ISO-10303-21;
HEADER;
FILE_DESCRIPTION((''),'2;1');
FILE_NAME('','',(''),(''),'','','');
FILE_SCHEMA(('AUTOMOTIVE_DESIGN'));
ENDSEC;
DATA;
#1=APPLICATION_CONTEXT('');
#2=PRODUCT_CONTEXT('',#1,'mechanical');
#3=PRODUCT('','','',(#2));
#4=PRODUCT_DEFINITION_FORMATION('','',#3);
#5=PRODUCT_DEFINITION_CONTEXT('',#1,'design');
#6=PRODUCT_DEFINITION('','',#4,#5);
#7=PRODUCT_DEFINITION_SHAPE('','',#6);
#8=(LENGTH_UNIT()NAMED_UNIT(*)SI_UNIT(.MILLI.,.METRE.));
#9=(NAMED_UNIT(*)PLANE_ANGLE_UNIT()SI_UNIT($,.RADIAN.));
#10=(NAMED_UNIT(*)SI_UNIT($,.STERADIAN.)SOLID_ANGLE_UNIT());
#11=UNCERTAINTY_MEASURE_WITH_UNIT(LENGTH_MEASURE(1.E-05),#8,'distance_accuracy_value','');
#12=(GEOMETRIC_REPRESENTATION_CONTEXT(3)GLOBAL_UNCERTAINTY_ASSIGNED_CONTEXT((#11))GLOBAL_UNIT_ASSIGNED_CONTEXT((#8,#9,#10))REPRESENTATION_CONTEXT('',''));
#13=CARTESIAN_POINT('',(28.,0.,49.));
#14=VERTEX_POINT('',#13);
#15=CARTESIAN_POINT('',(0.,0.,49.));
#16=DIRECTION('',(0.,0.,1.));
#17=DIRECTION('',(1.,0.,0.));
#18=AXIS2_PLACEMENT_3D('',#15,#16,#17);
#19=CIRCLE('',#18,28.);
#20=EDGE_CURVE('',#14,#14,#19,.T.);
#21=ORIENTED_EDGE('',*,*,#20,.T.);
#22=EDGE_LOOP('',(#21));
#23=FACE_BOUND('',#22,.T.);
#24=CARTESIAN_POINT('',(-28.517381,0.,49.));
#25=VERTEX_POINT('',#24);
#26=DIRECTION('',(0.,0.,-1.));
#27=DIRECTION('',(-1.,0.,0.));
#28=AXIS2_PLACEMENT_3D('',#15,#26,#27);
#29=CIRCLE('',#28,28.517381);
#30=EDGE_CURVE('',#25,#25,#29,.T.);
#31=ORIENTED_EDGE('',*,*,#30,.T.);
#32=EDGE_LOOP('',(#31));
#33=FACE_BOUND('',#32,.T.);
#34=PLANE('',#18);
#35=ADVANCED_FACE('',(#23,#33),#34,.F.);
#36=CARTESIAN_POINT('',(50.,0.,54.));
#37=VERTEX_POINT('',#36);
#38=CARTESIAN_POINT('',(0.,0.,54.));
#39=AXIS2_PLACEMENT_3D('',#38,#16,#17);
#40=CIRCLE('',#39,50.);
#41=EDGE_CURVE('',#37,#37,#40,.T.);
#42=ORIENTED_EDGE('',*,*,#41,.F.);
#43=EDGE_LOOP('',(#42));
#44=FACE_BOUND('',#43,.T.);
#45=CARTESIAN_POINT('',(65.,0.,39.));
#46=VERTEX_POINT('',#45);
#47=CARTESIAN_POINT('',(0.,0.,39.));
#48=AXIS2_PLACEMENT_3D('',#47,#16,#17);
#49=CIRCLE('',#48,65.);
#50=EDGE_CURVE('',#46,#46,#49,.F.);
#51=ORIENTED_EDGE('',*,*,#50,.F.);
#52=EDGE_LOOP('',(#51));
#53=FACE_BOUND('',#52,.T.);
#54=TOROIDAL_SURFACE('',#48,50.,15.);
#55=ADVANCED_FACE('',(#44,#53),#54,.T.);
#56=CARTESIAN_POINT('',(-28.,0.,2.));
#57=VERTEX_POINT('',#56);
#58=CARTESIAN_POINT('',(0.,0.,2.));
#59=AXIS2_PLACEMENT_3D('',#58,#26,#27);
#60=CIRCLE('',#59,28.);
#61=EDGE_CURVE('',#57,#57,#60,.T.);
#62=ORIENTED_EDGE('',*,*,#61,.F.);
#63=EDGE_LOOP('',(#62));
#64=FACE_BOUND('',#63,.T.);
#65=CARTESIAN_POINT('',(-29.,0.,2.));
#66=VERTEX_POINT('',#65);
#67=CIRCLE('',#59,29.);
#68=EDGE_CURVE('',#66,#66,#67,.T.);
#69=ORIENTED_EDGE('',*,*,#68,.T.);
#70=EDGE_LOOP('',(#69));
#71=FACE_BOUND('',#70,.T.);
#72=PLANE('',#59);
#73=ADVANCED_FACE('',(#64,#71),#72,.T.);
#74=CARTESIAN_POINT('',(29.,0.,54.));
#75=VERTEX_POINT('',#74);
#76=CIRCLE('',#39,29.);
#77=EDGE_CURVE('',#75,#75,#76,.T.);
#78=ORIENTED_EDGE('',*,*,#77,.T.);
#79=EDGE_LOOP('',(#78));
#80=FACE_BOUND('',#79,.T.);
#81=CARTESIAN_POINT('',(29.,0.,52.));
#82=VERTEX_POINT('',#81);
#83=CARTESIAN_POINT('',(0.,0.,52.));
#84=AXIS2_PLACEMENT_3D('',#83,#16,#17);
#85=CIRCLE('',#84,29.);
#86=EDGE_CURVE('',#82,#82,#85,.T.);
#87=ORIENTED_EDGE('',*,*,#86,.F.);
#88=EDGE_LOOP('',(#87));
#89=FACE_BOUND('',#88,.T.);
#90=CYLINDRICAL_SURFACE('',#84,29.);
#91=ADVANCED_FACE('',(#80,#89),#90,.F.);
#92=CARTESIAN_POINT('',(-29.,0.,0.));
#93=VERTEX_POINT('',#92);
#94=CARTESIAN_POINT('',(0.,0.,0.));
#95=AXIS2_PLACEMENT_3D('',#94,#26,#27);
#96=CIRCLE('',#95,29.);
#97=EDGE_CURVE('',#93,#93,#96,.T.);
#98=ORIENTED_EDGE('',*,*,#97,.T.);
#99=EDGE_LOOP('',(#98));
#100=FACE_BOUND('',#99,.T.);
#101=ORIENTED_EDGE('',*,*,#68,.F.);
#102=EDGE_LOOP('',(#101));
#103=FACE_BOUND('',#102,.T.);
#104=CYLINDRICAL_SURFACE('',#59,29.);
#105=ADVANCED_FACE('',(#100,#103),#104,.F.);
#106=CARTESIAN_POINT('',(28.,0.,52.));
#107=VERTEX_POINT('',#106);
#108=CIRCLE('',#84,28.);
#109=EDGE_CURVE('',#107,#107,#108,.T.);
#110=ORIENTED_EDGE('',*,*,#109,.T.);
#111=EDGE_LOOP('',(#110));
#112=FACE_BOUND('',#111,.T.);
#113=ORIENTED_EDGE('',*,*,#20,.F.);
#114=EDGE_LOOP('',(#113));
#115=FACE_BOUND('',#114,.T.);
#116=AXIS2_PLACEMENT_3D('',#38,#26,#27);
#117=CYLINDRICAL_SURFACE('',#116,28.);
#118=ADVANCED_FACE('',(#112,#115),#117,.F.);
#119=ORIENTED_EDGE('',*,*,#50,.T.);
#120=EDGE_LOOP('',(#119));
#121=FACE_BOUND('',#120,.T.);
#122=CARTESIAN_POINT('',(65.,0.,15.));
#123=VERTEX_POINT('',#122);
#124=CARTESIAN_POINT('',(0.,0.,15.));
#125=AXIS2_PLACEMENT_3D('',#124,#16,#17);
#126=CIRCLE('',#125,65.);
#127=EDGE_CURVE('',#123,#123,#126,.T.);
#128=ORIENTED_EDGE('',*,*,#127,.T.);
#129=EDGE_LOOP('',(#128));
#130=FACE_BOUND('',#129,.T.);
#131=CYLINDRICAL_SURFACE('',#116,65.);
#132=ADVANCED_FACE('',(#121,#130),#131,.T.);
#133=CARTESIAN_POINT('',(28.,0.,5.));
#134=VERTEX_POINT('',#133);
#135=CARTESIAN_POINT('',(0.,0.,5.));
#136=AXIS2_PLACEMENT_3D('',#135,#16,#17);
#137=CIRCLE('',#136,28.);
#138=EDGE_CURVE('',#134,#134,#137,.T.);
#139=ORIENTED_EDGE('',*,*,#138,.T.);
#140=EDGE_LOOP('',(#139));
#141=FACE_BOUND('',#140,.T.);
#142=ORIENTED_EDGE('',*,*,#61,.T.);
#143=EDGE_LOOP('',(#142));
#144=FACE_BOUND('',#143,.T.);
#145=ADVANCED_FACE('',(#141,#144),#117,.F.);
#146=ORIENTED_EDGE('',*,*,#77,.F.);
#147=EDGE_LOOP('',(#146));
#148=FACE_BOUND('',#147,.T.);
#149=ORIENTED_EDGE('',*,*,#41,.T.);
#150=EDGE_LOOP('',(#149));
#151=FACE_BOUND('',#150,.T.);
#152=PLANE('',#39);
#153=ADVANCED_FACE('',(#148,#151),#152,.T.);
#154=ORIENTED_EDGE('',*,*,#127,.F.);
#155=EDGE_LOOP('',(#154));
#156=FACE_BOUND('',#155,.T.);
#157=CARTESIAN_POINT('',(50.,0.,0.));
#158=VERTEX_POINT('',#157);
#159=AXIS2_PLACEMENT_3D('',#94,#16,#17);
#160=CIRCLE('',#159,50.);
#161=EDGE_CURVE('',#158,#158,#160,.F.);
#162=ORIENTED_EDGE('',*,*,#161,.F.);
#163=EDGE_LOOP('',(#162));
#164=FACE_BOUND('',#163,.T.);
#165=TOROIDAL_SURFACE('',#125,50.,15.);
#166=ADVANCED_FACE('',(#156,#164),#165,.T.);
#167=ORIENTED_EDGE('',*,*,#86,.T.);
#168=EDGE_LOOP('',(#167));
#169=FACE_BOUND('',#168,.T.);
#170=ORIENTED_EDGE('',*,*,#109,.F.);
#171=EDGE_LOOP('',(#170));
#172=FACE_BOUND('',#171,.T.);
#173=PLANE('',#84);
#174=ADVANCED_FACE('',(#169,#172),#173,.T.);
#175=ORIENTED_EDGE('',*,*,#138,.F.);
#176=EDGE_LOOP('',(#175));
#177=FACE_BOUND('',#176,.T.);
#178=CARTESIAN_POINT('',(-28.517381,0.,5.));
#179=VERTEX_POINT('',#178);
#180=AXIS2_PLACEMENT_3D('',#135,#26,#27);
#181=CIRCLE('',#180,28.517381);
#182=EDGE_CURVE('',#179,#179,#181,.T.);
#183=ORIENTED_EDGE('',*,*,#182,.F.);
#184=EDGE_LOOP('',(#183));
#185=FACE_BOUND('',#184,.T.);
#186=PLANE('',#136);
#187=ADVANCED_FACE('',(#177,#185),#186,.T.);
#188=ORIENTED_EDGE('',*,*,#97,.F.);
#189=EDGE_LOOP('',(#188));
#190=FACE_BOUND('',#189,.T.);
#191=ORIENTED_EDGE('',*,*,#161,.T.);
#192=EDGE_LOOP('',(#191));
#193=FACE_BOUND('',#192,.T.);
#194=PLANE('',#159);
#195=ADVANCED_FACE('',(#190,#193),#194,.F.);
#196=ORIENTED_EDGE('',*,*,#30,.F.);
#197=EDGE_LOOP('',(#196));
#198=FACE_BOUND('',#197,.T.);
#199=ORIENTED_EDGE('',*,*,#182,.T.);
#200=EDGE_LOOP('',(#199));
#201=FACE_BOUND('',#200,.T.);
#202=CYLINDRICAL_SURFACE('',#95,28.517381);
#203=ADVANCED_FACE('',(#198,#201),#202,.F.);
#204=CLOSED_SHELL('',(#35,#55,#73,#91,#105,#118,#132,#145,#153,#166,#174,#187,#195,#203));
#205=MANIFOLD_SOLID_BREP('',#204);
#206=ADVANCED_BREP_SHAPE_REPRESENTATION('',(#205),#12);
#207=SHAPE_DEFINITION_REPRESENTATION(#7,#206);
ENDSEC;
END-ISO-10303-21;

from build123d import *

# Parameters (mm, degrees)
SKETCH_1_R          = 65
SKETCH_1_R_2        = 28
EXTRUDE_1_DEPTH     = 54
SKETCH_2_R          = 29
CUT_EXTRUDE_1_DEPTH = 2
CUT_EXTRUDE_START   = -2
SKETCH_3_R          = 29
CUT_EXTRUDE_2_DEPTH = 2
SKETCH_4_W          = 1
SKETCH_4_H          = 44
FILLET_1_R          = 15


with BuildPart() as part:
    # 草图1 → 凸台-拉伸1 (new body)
    with BuildSketch(Plane.XY):
        Circle(SKETCH_1_R)
        Circle(SKETCH_1_R_2, mode=Mode.SUBTRACT)
    extrude(amount=EXTRUDE_1_DEPTH)

    # 草图2 → 切除-拉伸1 (cut)
    with BuildSketch(Plane(origin=(0, 0, 0), x_dir=(-1, 0, 0), z_dir=(0, 0, -1))):
        Circle(SKETCH_2_R)
    extrude(amount=-CUT_EXTRUDE_1_DEPTH, mode=Mode.SUBTRACT)

    # 草图3 → 切除-拉伸2 (cut)
    with BuildSketch(Plane.XY.offset(54).offset(CUT_EXTRUDE_START)):
        with Locations(Location((0, 0, 0), (0, 0, 180))):
            Circle(SKETCH_3_R)
    extrude(amount=CUT_EXTRUDE_2_DEPTH, mode=Mode.SUBTRACT)

    # 草图4 → 切除-旋转1 (revolve, cut)
    with BuildSketch(Plane(origin=(0, 0, 0), x_dir=(1, 0, 0), z_dir=(0, 1, 0))):
        with Locations((-28.017381105, -27)):
            Rectangle(SKETCH_4_W, SKETCH_4_H)
    revolve(axis=Axis((0, 0, 0), (0, 0, 1)), mode=Mode.SUBTRACT)

    # 圆角1
    fillet_1_edges = [part.edges().sort_by_distance(p)[0] for p in [
        (-65, 0, 0),
        (-65, 0, 54),
    ]]
    fillet(fillet_1_edges, radius=FILLET_1_R)


solid = part.part
